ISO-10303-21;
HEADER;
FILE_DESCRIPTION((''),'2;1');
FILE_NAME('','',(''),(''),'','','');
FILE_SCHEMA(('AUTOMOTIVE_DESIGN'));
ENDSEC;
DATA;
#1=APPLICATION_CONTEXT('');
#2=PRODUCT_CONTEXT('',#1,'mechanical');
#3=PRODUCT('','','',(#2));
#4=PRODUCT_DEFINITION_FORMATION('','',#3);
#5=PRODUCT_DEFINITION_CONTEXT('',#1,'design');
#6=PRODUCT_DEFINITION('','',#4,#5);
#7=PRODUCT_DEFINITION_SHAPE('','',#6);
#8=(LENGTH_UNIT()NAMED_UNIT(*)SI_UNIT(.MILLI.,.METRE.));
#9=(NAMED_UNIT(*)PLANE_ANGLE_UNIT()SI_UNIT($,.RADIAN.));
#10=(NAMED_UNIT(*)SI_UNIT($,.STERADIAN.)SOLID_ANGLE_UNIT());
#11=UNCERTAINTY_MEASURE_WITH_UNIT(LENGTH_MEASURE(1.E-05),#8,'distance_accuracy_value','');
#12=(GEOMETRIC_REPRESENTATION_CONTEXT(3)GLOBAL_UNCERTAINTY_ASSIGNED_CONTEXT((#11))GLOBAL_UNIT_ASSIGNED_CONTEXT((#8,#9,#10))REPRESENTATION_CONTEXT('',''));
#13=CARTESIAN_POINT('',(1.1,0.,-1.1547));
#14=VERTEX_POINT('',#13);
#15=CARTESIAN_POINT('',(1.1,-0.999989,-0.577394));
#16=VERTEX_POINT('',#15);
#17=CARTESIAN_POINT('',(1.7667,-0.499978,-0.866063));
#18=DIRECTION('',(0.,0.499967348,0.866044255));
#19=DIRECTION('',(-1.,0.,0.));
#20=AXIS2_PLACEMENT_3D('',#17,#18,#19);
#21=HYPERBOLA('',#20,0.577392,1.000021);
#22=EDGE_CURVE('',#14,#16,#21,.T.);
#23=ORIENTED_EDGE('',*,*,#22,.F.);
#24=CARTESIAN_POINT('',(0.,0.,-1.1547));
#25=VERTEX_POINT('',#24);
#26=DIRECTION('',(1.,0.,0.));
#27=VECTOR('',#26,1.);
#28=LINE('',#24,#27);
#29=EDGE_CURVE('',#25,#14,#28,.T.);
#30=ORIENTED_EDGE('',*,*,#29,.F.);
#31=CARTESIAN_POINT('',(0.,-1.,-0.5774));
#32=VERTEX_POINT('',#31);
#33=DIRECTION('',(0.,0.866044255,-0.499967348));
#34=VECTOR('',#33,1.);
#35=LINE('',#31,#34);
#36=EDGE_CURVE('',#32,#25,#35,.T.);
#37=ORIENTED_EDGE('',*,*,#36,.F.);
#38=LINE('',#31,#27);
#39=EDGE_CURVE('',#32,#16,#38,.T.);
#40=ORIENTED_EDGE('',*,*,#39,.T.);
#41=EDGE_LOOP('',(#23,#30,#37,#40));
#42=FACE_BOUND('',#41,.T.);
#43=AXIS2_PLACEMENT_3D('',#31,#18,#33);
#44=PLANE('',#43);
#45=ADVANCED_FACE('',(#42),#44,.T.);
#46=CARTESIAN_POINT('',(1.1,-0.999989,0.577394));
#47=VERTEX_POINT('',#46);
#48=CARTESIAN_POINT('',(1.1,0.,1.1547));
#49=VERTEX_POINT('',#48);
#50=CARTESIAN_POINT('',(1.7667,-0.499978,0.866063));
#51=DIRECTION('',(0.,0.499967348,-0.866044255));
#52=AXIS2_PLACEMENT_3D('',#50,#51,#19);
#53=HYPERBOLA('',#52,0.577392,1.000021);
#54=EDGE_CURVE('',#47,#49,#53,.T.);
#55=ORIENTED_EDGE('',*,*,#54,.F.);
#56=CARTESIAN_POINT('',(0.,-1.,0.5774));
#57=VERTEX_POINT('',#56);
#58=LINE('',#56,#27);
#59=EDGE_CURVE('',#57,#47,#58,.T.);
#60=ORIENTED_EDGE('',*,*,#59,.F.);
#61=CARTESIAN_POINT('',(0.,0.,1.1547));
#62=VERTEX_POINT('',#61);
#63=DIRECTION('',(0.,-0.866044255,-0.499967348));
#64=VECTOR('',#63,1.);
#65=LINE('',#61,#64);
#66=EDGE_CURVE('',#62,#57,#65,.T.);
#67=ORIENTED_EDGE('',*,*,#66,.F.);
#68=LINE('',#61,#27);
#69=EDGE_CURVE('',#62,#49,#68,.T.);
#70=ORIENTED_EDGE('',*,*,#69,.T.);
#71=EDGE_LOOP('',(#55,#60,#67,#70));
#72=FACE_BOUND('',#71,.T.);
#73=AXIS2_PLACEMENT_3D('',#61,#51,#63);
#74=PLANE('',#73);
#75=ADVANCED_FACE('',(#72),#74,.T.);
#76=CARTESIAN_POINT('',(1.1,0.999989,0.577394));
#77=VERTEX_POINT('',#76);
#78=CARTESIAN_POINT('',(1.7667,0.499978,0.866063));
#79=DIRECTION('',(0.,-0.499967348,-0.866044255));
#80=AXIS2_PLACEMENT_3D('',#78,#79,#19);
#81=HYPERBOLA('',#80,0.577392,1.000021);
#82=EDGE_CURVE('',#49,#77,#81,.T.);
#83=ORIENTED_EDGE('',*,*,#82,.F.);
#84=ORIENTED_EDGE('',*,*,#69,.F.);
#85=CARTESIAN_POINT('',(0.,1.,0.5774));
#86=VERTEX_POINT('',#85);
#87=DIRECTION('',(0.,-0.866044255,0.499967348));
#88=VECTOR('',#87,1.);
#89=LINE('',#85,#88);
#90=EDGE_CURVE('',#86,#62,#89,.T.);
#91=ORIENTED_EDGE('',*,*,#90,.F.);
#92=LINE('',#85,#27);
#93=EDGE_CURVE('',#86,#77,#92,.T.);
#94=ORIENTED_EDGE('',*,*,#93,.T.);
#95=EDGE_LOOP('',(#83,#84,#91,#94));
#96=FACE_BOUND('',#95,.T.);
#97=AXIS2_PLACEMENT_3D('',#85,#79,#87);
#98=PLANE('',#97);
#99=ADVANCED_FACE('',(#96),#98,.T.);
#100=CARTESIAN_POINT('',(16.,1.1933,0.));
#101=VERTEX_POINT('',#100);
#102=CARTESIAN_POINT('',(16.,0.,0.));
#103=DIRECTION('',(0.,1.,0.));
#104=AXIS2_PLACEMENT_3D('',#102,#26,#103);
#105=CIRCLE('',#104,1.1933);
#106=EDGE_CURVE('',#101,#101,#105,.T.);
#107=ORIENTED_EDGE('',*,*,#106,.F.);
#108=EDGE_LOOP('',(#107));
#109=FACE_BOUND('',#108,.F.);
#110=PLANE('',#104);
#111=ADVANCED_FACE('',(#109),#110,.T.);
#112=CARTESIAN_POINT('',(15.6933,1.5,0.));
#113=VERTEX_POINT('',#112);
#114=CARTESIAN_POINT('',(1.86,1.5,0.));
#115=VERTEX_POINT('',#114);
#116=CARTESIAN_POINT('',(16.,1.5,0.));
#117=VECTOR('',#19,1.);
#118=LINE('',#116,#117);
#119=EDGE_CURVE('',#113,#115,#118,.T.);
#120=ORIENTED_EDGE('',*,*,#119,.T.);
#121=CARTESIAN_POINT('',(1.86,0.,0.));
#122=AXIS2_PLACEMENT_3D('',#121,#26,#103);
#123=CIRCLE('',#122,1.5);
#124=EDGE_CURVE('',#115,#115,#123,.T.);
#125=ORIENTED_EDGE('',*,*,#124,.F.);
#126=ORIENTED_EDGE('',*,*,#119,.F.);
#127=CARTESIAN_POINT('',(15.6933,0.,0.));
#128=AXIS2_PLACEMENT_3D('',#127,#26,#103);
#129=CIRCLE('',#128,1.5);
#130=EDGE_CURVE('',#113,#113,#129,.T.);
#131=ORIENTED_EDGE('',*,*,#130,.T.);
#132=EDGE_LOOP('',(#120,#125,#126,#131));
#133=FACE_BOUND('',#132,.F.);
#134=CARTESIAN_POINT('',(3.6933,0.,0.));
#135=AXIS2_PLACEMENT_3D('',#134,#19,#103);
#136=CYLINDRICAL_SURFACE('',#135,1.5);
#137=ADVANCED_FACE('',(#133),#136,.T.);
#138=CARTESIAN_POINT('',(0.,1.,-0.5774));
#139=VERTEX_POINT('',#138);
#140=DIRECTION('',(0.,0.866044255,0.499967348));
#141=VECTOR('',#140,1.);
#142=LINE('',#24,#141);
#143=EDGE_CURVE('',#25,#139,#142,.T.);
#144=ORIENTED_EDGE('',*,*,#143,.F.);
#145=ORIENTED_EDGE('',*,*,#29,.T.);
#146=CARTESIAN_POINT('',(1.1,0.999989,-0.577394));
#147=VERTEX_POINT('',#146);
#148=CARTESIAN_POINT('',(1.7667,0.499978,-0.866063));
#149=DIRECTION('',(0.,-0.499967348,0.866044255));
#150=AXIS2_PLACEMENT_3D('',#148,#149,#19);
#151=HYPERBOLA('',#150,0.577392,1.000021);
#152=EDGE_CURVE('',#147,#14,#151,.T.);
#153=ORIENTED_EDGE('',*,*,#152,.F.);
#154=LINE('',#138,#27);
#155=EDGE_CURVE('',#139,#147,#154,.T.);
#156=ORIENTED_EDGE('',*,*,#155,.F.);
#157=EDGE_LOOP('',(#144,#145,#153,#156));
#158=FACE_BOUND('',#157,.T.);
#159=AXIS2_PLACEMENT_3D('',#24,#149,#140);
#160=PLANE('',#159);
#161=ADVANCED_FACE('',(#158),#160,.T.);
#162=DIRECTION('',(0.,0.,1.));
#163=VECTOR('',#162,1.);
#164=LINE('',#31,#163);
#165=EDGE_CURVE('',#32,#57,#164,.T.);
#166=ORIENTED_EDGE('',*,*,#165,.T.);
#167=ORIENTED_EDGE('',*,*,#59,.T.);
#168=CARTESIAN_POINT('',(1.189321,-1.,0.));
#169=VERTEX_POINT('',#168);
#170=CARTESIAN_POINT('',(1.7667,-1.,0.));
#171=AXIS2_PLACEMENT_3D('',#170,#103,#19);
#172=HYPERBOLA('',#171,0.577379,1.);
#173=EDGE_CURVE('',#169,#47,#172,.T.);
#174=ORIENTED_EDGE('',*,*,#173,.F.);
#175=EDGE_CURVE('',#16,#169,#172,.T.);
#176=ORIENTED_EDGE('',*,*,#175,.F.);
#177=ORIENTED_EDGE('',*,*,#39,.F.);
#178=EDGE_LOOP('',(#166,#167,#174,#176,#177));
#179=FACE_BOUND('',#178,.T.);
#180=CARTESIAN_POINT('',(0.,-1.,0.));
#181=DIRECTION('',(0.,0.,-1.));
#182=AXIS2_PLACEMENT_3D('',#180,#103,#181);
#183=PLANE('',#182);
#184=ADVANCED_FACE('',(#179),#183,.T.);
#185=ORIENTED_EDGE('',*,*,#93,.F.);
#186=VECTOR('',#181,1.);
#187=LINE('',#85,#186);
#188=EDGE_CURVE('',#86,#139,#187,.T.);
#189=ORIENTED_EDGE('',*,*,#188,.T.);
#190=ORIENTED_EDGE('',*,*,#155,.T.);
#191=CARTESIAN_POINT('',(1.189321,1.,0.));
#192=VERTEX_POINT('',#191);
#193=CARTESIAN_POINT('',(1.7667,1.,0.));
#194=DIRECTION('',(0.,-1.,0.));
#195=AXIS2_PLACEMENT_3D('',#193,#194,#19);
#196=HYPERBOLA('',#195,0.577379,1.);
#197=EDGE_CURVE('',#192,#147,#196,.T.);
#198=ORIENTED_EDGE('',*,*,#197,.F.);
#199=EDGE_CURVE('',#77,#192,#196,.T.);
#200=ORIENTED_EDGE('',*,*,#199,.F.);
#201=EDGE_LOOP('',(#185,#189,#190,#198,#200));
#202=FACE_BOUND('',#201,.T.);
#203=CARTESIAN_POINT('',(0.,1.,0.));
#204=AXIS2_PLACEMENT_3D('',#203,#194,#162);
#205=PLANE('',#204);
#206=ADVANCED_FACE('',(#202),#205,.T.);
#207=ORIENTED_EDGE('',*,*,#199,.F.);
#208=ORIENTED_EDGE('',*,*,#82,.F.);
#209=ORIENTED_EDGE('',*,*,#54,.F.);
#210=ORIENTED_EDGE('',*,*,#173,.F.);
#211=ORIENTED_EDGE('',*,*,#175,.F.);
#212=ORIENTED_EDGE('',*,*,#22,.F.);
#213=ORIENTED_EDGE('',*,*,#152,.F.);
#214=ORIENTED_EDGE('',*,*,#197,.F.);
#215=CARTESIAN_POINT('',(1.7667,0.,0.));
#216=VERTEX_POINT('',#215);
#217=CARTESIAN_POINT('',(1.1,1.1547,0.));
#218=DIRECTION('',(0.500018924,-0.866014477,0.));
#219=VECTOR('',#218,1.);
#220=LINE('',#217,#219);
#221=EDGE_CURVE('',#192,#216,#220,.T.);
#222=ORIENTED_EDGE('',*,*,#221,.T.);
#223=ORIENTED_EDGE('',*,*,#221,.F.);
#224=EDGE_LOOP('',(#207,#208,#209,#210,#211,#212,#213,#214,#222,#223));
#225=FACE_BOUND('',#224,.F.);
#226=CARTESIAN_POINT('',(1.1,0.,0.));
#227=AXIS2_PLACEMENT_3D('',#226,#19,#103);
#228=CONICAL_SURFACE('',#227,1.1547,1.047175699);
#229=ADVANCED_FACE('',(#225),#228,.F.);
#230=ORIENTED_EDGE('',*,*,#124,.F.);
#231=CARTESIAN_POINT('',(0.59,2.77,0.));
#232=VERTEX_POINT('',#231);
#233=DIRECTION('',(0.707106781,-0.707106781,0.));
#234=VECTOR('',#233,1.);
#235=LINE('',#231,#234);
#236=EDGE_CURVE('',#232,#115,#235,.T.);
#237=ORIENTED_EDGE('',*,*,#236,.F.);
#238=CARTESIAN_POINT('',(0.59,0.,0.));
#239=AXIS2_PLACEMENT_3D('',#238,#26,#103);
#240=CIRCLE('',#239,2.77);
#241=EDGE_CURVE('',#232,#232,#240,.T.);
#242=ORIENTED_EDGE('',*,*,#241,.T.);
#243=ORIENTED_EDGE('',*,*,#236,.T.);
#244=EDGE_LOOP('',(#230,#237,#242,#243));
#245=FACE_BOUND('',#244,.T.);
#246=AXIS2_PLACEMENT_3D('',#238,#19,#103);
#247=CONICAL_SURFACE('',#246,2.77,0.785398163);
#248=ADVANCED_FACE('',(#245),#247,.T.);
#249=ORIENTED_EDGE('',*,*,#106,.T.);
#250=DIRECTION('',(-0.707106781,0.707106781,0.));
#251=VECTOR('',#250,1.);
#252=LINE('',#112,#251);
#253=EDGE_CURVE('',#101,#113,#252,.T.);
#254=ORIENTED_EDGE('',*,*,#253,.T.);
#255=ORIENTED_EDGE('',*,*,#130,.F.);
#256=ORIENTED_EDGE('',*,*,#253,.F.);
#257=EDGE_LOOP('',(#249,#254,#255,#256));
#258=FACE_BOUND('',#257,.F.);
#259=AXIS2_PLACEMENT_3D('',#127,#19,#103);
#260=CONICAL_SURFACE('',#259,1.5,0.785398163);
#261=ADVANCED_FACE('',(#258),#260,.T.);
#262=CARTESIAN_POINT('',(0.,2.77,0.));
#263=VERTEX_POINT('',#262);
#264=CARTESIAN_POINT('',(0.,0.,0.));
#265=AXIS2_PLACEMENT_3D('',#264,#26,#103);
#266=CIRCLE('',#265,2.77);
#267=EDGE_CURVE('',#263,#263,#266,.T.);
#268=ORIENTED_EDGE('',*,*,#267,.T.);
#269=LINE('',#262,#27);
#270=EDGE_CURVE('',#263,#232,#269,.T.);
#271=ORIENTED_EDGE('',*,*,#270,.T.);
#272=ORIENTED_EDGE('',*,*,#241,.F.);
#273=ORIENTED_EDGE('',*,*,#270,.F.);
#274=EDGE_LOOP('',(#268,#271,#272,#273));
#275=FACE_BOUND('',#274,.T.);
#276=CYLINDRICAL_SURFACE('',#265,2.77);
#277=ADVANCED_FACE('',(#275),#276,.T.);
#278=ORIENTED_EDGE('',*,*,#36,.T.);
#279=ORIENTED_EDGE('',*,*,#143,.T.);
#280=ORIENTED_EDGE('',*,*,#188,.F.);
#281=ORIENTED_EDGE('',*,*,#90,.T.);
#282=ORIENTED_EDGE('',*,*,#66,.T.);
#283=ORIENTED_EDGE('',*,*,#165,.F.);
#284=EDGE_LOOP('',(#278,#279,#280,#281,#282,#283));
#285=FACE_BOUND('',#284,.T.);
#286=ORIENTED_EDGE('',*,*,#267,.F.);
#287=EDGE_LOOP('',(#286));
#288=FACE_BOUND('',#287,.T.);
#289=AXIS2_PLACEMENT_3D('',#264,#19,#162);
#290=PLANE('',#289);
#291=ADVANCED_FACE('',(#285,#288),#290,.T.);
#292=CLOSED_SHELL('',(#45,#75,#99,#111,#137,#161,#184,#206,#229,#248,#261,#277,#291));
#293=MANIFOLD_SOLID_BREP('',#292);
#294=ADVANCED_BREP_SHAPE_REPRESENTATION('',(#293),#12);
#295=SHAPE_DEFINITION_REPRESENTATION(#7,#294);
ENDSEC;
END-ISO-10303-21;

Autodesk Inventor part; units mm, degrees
ref_plane "YZ Plane" through (0, 0, 0) normal (1, 0, 0) x (0, 1, 0)
ref_plane "XZ Plane" through (0, 0, 0) normal (0, 1, 0) x (-1, 0, 0)
sketch "Sketch1" plane through (0, 0, 0) normal (0, 0, 1) x (1, 0, 0)
  line L0 (16, 0) -> (16, 1.5)
  line L1 (16, 1.5) -> (4, 1.5)
  line L2 (4, 1.5) -> (3.6933, 1.5)
  line L3 (0, 2.77) -> (0, 1.1547)
  line L4 (0, 1.1547) -> (1.1, 1.1547)
  line L5 (1.1, 1.1547) -> (1.7667, 0)
  line L6 (1.7667, 0) -> (16, 0)
  line L7 (0, 2.77) -> (0.59, 2.77)
  line L8 (0.59, 2.77) -> (1.86, 1.5)
  line L9 (3.6933, 1.5) -> (1.86, 1.5)
  line L10 (4, 1.5) -> (1.86, 1.5) construction
  line L11 (1.86, 1.5) -> (1.86, 1.5)
  line L12 (-3.2, 0) -> (19.2, 0) projected
  line L13 (0, -0.554) -> (0, 3.324) projected
  dimension "d0" = 16
  dimension "d1" = 12
  dimension "d2" = 1.1
  dimension "d3" = 3
  dimension "d6" = 1.86
  dimension "d7" = 45
  dimension "d8" = 2.3094
  dimension "d9" = 60
  dimension "d10" = 5.54
  dimension "d11" = 3
  dimension "d12" = 0.3067
revolve "Body" add sketch "Sketch1" angle 360 about axis through (1.7667, 0, 0) along (1, 0, 0) contours L6 L5 L4 L3 L7 L8 L9 L2 L1 L0
sketch "Sketch2" plane through (0, 0, 0) normal (-1, 0, 0) x (0, 0, 1)
  circle A0 centre (0, 0) radius 1.1547 projected
  line L0 (0, -3.878) -> (0, 3.878) projected
  line L1 (-3.878, 0) -> (3.878, 0) projected
  line L2 (1.1547, 0) -> (0.5774, -1)
  line L3 (0.5774, -1) -> (-0.5774, -1)
  line L4 (-0.5774, -1) -> (-1.1547, 0)
  line L5 (-1.1547, 0) -> (-0.5774, 1)
  line L6 (-0.5774, 1) -> (0.5774, 1)
  line L7 (0.5774, 1) -> (1.1547, 0)
  point P0 (0, 1.1547)
extrude "Slot" add sketch "Sketch2" against normal up to next contours L7 A0 | A0 L2 | L6 L0 A0 | A0 L0 L3 | L0 L6 A0 | A0 L3 L0 | L4 A0 | A0 L5
thread "Thread" size "M3x0.5" class "6g" standard "ISO Metric profile" length 12
chamfer "Chamfer1" distance 0.3067 distance2 0.3067 1 edges at (16, -1.5, 0) measured on face at (16, -0.3743, -0.3316)
ref_plane "Work Plane1" through (104.775, 0, 0) normal (0, 0, -1) x (1, 0, 0)
equation "\"d15\" = GEL"
equation "\"d17\" = -0.5 * SPD + 0.5 * GD"
equation "\"d18\" = GUL"
equation "\"d0\" = NLG"
equation "\"d1\" = GEL"
equation "\"d2\" = INTI"
equation "\"d3\" = GD"
equation "\"d6\" = KOH"
equation "\"d7\" = 0.5 * SEWI"
equation "\"d8\" = 1.1547 * SW"
equation "\"d10\" = KOD"
equation "\"d11\" = BDM"
equation "\"d12\" = GAL"
equation "\"NLG\" = 16"
equation "\"INTI\" = 1.1"
equation "\"GEL\" = 12"
equation "\"GAL\" = 0.61345 * PTC"
equation "\"KOH\" = 1.86"
equation "\"KOD\" = 5.54"
equation "\"GUL\" = 0.61345 * PTC"
equation "\"SPD\" = NND - 1.2269 * PTC"
equation "\"BDM\" = NND"
equation "\"GD\" = NND"
equation "\"SEWI\" = 90deg"
equation "\"SW\" = 2"
equation "\"TOA\" = 30deg"
equation "\"GD1\" = THREADDIA - 1.2269 * PTC"
equation "\"EPV\" = 3.36"
equation "\"THREADDIA\" = 3"
equation "\"PTC\" = 0.5"
equation "\"NND\" = 3"
equation "\"E0\" = 1.155 * SW"
properties part number "DIN 7991 - M3  x  16" material "Steel, Mild"
